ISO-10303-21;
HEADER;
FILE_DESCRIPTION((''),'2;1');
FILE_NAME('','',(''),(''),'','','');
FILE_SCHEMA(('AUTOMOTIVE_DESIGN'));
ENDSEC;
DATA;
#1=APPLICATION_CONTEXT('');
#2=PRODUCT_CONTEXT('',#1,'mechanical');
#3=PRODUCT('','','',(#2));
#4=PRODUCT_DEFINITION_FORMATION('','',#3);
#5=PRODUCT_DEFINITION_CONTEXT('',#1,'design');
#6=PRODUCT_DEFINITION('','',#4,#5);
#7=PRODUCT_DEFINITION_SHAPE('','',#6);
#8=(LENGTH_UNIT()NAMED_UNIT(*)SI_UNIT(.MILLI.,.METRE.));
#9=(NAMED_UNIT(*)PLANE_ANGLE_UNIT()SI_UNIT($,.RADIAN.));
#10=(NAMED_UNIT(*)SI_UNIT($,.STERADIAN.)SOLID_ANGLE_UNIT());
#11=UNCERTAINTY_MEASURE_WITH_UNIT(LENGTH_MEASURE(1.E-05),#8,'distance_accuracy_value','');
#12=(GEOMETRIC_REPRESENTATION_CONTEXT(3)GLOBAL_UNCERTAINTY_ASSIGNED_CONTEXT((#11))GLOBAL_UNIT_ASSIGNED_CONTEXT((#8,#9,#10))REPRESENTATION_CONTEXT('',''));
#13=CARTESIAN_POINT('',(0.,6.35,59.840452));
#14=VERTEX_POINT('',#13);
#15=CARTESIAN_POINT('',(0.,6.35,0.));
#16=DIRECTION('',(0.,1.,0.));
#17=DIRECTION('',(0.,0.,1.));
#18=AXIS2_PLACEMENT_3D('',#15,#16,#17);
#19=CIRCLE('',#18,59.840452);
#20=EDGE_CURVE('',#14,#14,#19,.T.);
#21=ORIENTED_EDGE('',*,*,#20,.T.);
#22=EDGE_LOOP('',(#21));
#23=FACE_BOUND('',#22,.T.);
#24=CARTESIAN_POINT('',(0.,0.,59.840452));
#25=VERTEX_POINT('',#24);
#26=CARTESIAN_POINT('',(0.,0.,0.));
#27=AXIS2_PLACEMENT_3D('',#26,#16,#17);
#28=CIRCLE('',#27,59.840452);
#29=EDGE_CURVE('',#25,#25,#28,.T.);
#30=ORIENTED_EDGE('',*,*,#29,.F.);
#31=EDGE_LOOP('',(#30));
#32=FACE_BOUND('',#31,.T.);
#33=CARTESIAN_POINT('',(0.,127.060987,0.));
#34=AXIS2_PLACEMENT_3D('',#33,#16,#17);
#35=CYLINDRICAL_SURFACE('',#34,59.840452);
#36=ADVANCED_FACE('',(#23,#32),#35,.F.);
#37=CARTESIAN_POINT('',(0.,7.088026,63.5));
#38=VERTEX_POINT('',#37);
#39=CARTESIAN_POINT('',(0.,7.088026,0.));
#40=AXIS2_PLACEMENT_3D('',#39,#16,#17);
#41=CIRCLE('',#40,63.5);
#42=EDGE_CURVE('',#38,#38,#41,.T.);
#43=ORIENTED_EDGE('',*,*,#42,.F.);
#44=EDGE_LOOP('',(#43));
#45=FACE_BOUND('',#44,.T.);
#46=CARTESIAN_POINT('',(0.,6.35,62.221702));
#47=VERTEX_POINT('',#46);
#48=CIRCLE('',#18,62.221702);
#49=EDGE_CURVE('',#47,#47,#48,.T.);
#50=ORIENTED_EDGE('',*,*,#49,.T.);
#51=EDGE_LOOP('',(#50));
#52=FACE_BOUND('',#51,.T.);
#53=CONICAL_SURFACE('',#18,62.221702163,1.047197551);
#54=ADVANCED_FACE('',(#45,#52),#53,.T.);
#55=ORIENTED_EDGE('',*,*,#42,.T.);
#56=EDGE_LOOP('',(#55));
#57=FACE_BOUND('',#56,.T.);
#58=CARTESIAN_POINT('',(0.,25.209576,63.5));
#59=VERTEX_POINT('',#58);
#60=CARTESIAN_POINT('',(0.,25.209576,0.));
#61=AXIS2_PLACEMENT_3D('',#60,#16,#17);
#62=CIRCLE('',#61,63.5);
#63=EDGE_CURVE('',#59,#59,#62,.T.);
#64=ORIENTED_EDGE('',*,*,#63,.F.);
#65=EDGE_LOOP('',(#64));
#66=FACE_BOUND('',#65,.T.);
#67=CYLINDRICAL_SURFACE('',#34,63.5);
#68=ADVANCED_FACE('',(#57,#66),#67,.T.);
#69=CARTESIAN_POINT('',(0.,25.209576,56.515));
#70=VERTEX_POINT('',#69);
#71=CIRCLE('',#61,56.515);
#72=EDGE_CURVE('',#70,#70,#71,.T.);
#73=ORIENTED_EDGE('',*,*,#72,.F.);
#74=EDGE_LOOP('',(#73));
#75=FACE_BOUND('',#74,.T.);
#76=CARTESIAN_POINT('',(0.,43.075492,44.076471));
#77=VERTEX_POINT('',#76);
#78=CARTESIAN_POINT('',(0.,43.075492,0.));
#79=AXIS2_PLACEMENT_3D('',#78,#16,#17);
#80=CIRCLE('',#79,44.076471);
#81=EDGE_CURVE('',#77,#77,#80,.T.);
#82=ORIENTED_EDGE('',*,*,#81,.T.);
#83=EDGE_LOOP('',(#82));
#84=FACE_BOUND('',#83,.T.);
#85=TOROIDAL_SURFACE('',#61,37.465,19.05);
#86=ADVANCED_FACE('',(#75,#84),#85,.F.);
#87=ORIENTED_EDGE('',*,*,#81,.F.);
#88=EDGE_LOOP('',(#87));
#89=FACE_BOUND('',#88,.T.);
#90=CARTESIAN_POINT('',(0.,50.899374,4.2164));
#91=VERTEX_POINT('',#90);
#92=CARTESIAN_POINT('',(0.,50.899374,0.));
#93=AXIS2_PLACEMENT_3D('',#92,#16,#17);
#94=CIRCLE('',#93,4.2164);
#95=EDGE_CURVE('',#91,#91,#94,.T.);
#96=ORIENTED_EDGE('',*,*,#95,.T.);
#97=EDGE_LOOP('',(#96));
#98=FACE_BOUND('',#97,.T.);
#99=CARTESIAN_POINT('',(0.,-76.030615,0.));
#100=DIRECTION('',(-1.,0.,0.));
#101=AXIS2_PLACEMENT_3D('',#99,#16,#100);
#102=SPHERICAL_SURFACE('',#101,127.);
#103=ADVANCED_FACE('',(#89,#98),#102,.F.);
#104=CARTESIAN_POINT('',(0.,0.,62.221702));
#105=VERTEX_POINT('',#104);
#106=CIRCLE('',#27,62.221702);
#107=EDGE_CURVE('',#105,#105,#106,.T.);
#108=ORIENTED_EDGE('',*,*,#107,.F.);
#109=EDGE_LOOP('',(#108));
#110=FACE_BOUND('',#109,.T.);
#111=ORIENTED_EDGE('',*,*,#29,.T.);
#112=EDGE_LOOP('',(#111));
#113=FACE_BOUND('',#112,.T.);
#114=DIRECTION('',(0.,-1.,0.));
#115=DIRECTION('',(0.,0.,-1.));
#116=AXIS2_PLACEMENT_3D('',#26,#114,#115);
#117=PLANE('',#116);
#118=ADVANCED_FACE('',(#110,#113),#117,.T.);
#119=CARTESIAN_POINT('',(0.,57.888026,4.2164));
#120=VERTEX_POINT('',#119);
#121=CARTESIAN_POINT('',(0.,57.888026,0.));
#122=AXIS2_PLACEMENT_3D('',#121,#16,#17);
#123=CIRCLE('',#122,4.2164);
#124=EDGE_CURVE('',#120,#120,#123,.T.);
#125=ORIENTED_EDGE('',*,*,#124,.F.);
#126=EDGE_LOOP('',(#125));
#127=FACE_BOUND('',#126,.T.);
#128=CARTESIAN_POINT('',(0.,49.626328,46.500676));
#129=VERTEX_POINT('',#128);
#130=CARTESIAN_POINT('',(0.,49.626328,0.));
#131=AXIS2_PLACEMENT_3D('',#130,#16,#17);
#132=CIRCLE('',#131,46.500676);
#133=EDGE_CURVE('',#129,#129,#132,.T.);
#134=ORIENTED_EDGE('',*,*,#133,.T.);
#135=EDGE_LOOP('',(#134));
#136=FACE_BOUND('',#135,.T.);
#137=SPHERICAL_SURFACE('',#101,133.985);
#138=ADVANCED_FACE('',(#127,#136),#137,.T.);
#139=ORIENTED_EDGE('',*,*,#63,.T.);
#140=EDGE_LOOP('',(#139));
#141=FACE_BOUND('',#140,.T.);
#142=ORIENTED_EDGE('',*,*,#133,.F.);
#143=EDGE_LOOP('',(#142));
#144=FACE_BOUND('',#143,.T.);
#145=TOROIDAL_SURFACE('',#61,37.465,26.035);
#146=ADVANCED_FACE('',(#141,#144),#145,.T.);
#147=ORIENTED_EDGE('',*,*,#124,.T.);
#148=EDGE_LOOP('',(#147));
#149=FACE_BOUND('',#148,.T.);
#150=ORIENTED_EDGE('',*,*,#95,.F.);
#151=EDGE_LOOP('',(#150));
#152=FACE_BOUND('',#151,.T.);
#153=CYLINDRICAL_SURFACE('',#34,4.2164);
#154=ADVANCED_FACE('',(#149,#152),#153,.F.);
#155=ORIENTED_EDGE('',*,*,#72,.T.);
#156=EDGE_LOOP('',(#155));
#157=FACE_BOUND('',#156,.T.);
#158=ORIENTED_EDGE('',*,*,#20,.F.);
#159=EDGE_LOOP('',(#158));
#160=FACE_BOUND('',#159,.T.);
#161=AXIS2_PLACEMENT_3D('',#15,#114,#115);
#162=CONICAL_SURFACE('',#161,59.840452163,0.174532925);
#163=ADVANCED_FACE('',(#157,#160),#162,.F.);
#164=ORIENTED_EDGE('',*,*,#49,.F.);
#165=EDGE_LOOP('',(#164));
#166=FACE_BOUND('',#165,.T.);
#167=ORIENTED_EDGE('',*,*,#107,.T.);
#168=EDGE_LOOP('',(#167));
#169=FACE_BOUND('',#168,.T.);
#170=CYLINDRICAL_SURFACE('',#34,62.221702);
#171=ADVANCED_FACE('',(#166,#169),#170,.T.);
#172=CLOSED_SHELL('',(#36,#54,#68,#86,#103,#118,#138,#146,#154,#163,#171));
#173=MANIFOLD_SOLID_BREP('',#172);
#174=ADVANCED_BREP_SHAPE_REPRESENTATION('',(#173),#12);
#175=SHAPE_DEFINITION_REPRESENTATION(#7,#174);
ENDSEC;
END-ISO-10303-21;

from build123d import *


with BuildPart() as part:
    # Sketch1 → Revolve2 (revolve)
    with BuildSketch(Plane.XY):
        with BuildLine():
            Line((-63.5, 7.0880256), (-63.5, 25.209576395))
            ThreePointArc((-63.5, 25.209576395), (-58.831621889, 40.085351805), (-46.500676471, 49.626328344))
            ThreePointArc((-46.500676471, 49.626328344), (-25.692788323, 55.467905735), (-4.2164, 57.8880256))
            Line((-4.2164, 57.8880256), (-4.2164, 50.899373851))
            ThreePointArc((-4.2164, 50.899373851), (-24.461267699, 48.591399426), (-44.076470588, 43.075492455))
            ThreePointArc((-44.076470588, 43.075492455), (-53.099113577, 36.09429011), (-56.515, 25.209576395))
            Line((-56.515, 25.209576395), (-59.840452163, 6.35))
            Line((-59.840452163, 6.35), (-59.840452163, 0))
            Line((-59.840452163, 0), (-62.221702163, 0))
            Line((-62.221702163, 0), (-62.221702163, 6.35))
            Line((-62.221702163, 6.35), (-63.5, 7.0880256))
        make_face()
    revolve(axis=Axis((0, 127.060987048, 0), (0, -1, 0)))


solid = part.part
